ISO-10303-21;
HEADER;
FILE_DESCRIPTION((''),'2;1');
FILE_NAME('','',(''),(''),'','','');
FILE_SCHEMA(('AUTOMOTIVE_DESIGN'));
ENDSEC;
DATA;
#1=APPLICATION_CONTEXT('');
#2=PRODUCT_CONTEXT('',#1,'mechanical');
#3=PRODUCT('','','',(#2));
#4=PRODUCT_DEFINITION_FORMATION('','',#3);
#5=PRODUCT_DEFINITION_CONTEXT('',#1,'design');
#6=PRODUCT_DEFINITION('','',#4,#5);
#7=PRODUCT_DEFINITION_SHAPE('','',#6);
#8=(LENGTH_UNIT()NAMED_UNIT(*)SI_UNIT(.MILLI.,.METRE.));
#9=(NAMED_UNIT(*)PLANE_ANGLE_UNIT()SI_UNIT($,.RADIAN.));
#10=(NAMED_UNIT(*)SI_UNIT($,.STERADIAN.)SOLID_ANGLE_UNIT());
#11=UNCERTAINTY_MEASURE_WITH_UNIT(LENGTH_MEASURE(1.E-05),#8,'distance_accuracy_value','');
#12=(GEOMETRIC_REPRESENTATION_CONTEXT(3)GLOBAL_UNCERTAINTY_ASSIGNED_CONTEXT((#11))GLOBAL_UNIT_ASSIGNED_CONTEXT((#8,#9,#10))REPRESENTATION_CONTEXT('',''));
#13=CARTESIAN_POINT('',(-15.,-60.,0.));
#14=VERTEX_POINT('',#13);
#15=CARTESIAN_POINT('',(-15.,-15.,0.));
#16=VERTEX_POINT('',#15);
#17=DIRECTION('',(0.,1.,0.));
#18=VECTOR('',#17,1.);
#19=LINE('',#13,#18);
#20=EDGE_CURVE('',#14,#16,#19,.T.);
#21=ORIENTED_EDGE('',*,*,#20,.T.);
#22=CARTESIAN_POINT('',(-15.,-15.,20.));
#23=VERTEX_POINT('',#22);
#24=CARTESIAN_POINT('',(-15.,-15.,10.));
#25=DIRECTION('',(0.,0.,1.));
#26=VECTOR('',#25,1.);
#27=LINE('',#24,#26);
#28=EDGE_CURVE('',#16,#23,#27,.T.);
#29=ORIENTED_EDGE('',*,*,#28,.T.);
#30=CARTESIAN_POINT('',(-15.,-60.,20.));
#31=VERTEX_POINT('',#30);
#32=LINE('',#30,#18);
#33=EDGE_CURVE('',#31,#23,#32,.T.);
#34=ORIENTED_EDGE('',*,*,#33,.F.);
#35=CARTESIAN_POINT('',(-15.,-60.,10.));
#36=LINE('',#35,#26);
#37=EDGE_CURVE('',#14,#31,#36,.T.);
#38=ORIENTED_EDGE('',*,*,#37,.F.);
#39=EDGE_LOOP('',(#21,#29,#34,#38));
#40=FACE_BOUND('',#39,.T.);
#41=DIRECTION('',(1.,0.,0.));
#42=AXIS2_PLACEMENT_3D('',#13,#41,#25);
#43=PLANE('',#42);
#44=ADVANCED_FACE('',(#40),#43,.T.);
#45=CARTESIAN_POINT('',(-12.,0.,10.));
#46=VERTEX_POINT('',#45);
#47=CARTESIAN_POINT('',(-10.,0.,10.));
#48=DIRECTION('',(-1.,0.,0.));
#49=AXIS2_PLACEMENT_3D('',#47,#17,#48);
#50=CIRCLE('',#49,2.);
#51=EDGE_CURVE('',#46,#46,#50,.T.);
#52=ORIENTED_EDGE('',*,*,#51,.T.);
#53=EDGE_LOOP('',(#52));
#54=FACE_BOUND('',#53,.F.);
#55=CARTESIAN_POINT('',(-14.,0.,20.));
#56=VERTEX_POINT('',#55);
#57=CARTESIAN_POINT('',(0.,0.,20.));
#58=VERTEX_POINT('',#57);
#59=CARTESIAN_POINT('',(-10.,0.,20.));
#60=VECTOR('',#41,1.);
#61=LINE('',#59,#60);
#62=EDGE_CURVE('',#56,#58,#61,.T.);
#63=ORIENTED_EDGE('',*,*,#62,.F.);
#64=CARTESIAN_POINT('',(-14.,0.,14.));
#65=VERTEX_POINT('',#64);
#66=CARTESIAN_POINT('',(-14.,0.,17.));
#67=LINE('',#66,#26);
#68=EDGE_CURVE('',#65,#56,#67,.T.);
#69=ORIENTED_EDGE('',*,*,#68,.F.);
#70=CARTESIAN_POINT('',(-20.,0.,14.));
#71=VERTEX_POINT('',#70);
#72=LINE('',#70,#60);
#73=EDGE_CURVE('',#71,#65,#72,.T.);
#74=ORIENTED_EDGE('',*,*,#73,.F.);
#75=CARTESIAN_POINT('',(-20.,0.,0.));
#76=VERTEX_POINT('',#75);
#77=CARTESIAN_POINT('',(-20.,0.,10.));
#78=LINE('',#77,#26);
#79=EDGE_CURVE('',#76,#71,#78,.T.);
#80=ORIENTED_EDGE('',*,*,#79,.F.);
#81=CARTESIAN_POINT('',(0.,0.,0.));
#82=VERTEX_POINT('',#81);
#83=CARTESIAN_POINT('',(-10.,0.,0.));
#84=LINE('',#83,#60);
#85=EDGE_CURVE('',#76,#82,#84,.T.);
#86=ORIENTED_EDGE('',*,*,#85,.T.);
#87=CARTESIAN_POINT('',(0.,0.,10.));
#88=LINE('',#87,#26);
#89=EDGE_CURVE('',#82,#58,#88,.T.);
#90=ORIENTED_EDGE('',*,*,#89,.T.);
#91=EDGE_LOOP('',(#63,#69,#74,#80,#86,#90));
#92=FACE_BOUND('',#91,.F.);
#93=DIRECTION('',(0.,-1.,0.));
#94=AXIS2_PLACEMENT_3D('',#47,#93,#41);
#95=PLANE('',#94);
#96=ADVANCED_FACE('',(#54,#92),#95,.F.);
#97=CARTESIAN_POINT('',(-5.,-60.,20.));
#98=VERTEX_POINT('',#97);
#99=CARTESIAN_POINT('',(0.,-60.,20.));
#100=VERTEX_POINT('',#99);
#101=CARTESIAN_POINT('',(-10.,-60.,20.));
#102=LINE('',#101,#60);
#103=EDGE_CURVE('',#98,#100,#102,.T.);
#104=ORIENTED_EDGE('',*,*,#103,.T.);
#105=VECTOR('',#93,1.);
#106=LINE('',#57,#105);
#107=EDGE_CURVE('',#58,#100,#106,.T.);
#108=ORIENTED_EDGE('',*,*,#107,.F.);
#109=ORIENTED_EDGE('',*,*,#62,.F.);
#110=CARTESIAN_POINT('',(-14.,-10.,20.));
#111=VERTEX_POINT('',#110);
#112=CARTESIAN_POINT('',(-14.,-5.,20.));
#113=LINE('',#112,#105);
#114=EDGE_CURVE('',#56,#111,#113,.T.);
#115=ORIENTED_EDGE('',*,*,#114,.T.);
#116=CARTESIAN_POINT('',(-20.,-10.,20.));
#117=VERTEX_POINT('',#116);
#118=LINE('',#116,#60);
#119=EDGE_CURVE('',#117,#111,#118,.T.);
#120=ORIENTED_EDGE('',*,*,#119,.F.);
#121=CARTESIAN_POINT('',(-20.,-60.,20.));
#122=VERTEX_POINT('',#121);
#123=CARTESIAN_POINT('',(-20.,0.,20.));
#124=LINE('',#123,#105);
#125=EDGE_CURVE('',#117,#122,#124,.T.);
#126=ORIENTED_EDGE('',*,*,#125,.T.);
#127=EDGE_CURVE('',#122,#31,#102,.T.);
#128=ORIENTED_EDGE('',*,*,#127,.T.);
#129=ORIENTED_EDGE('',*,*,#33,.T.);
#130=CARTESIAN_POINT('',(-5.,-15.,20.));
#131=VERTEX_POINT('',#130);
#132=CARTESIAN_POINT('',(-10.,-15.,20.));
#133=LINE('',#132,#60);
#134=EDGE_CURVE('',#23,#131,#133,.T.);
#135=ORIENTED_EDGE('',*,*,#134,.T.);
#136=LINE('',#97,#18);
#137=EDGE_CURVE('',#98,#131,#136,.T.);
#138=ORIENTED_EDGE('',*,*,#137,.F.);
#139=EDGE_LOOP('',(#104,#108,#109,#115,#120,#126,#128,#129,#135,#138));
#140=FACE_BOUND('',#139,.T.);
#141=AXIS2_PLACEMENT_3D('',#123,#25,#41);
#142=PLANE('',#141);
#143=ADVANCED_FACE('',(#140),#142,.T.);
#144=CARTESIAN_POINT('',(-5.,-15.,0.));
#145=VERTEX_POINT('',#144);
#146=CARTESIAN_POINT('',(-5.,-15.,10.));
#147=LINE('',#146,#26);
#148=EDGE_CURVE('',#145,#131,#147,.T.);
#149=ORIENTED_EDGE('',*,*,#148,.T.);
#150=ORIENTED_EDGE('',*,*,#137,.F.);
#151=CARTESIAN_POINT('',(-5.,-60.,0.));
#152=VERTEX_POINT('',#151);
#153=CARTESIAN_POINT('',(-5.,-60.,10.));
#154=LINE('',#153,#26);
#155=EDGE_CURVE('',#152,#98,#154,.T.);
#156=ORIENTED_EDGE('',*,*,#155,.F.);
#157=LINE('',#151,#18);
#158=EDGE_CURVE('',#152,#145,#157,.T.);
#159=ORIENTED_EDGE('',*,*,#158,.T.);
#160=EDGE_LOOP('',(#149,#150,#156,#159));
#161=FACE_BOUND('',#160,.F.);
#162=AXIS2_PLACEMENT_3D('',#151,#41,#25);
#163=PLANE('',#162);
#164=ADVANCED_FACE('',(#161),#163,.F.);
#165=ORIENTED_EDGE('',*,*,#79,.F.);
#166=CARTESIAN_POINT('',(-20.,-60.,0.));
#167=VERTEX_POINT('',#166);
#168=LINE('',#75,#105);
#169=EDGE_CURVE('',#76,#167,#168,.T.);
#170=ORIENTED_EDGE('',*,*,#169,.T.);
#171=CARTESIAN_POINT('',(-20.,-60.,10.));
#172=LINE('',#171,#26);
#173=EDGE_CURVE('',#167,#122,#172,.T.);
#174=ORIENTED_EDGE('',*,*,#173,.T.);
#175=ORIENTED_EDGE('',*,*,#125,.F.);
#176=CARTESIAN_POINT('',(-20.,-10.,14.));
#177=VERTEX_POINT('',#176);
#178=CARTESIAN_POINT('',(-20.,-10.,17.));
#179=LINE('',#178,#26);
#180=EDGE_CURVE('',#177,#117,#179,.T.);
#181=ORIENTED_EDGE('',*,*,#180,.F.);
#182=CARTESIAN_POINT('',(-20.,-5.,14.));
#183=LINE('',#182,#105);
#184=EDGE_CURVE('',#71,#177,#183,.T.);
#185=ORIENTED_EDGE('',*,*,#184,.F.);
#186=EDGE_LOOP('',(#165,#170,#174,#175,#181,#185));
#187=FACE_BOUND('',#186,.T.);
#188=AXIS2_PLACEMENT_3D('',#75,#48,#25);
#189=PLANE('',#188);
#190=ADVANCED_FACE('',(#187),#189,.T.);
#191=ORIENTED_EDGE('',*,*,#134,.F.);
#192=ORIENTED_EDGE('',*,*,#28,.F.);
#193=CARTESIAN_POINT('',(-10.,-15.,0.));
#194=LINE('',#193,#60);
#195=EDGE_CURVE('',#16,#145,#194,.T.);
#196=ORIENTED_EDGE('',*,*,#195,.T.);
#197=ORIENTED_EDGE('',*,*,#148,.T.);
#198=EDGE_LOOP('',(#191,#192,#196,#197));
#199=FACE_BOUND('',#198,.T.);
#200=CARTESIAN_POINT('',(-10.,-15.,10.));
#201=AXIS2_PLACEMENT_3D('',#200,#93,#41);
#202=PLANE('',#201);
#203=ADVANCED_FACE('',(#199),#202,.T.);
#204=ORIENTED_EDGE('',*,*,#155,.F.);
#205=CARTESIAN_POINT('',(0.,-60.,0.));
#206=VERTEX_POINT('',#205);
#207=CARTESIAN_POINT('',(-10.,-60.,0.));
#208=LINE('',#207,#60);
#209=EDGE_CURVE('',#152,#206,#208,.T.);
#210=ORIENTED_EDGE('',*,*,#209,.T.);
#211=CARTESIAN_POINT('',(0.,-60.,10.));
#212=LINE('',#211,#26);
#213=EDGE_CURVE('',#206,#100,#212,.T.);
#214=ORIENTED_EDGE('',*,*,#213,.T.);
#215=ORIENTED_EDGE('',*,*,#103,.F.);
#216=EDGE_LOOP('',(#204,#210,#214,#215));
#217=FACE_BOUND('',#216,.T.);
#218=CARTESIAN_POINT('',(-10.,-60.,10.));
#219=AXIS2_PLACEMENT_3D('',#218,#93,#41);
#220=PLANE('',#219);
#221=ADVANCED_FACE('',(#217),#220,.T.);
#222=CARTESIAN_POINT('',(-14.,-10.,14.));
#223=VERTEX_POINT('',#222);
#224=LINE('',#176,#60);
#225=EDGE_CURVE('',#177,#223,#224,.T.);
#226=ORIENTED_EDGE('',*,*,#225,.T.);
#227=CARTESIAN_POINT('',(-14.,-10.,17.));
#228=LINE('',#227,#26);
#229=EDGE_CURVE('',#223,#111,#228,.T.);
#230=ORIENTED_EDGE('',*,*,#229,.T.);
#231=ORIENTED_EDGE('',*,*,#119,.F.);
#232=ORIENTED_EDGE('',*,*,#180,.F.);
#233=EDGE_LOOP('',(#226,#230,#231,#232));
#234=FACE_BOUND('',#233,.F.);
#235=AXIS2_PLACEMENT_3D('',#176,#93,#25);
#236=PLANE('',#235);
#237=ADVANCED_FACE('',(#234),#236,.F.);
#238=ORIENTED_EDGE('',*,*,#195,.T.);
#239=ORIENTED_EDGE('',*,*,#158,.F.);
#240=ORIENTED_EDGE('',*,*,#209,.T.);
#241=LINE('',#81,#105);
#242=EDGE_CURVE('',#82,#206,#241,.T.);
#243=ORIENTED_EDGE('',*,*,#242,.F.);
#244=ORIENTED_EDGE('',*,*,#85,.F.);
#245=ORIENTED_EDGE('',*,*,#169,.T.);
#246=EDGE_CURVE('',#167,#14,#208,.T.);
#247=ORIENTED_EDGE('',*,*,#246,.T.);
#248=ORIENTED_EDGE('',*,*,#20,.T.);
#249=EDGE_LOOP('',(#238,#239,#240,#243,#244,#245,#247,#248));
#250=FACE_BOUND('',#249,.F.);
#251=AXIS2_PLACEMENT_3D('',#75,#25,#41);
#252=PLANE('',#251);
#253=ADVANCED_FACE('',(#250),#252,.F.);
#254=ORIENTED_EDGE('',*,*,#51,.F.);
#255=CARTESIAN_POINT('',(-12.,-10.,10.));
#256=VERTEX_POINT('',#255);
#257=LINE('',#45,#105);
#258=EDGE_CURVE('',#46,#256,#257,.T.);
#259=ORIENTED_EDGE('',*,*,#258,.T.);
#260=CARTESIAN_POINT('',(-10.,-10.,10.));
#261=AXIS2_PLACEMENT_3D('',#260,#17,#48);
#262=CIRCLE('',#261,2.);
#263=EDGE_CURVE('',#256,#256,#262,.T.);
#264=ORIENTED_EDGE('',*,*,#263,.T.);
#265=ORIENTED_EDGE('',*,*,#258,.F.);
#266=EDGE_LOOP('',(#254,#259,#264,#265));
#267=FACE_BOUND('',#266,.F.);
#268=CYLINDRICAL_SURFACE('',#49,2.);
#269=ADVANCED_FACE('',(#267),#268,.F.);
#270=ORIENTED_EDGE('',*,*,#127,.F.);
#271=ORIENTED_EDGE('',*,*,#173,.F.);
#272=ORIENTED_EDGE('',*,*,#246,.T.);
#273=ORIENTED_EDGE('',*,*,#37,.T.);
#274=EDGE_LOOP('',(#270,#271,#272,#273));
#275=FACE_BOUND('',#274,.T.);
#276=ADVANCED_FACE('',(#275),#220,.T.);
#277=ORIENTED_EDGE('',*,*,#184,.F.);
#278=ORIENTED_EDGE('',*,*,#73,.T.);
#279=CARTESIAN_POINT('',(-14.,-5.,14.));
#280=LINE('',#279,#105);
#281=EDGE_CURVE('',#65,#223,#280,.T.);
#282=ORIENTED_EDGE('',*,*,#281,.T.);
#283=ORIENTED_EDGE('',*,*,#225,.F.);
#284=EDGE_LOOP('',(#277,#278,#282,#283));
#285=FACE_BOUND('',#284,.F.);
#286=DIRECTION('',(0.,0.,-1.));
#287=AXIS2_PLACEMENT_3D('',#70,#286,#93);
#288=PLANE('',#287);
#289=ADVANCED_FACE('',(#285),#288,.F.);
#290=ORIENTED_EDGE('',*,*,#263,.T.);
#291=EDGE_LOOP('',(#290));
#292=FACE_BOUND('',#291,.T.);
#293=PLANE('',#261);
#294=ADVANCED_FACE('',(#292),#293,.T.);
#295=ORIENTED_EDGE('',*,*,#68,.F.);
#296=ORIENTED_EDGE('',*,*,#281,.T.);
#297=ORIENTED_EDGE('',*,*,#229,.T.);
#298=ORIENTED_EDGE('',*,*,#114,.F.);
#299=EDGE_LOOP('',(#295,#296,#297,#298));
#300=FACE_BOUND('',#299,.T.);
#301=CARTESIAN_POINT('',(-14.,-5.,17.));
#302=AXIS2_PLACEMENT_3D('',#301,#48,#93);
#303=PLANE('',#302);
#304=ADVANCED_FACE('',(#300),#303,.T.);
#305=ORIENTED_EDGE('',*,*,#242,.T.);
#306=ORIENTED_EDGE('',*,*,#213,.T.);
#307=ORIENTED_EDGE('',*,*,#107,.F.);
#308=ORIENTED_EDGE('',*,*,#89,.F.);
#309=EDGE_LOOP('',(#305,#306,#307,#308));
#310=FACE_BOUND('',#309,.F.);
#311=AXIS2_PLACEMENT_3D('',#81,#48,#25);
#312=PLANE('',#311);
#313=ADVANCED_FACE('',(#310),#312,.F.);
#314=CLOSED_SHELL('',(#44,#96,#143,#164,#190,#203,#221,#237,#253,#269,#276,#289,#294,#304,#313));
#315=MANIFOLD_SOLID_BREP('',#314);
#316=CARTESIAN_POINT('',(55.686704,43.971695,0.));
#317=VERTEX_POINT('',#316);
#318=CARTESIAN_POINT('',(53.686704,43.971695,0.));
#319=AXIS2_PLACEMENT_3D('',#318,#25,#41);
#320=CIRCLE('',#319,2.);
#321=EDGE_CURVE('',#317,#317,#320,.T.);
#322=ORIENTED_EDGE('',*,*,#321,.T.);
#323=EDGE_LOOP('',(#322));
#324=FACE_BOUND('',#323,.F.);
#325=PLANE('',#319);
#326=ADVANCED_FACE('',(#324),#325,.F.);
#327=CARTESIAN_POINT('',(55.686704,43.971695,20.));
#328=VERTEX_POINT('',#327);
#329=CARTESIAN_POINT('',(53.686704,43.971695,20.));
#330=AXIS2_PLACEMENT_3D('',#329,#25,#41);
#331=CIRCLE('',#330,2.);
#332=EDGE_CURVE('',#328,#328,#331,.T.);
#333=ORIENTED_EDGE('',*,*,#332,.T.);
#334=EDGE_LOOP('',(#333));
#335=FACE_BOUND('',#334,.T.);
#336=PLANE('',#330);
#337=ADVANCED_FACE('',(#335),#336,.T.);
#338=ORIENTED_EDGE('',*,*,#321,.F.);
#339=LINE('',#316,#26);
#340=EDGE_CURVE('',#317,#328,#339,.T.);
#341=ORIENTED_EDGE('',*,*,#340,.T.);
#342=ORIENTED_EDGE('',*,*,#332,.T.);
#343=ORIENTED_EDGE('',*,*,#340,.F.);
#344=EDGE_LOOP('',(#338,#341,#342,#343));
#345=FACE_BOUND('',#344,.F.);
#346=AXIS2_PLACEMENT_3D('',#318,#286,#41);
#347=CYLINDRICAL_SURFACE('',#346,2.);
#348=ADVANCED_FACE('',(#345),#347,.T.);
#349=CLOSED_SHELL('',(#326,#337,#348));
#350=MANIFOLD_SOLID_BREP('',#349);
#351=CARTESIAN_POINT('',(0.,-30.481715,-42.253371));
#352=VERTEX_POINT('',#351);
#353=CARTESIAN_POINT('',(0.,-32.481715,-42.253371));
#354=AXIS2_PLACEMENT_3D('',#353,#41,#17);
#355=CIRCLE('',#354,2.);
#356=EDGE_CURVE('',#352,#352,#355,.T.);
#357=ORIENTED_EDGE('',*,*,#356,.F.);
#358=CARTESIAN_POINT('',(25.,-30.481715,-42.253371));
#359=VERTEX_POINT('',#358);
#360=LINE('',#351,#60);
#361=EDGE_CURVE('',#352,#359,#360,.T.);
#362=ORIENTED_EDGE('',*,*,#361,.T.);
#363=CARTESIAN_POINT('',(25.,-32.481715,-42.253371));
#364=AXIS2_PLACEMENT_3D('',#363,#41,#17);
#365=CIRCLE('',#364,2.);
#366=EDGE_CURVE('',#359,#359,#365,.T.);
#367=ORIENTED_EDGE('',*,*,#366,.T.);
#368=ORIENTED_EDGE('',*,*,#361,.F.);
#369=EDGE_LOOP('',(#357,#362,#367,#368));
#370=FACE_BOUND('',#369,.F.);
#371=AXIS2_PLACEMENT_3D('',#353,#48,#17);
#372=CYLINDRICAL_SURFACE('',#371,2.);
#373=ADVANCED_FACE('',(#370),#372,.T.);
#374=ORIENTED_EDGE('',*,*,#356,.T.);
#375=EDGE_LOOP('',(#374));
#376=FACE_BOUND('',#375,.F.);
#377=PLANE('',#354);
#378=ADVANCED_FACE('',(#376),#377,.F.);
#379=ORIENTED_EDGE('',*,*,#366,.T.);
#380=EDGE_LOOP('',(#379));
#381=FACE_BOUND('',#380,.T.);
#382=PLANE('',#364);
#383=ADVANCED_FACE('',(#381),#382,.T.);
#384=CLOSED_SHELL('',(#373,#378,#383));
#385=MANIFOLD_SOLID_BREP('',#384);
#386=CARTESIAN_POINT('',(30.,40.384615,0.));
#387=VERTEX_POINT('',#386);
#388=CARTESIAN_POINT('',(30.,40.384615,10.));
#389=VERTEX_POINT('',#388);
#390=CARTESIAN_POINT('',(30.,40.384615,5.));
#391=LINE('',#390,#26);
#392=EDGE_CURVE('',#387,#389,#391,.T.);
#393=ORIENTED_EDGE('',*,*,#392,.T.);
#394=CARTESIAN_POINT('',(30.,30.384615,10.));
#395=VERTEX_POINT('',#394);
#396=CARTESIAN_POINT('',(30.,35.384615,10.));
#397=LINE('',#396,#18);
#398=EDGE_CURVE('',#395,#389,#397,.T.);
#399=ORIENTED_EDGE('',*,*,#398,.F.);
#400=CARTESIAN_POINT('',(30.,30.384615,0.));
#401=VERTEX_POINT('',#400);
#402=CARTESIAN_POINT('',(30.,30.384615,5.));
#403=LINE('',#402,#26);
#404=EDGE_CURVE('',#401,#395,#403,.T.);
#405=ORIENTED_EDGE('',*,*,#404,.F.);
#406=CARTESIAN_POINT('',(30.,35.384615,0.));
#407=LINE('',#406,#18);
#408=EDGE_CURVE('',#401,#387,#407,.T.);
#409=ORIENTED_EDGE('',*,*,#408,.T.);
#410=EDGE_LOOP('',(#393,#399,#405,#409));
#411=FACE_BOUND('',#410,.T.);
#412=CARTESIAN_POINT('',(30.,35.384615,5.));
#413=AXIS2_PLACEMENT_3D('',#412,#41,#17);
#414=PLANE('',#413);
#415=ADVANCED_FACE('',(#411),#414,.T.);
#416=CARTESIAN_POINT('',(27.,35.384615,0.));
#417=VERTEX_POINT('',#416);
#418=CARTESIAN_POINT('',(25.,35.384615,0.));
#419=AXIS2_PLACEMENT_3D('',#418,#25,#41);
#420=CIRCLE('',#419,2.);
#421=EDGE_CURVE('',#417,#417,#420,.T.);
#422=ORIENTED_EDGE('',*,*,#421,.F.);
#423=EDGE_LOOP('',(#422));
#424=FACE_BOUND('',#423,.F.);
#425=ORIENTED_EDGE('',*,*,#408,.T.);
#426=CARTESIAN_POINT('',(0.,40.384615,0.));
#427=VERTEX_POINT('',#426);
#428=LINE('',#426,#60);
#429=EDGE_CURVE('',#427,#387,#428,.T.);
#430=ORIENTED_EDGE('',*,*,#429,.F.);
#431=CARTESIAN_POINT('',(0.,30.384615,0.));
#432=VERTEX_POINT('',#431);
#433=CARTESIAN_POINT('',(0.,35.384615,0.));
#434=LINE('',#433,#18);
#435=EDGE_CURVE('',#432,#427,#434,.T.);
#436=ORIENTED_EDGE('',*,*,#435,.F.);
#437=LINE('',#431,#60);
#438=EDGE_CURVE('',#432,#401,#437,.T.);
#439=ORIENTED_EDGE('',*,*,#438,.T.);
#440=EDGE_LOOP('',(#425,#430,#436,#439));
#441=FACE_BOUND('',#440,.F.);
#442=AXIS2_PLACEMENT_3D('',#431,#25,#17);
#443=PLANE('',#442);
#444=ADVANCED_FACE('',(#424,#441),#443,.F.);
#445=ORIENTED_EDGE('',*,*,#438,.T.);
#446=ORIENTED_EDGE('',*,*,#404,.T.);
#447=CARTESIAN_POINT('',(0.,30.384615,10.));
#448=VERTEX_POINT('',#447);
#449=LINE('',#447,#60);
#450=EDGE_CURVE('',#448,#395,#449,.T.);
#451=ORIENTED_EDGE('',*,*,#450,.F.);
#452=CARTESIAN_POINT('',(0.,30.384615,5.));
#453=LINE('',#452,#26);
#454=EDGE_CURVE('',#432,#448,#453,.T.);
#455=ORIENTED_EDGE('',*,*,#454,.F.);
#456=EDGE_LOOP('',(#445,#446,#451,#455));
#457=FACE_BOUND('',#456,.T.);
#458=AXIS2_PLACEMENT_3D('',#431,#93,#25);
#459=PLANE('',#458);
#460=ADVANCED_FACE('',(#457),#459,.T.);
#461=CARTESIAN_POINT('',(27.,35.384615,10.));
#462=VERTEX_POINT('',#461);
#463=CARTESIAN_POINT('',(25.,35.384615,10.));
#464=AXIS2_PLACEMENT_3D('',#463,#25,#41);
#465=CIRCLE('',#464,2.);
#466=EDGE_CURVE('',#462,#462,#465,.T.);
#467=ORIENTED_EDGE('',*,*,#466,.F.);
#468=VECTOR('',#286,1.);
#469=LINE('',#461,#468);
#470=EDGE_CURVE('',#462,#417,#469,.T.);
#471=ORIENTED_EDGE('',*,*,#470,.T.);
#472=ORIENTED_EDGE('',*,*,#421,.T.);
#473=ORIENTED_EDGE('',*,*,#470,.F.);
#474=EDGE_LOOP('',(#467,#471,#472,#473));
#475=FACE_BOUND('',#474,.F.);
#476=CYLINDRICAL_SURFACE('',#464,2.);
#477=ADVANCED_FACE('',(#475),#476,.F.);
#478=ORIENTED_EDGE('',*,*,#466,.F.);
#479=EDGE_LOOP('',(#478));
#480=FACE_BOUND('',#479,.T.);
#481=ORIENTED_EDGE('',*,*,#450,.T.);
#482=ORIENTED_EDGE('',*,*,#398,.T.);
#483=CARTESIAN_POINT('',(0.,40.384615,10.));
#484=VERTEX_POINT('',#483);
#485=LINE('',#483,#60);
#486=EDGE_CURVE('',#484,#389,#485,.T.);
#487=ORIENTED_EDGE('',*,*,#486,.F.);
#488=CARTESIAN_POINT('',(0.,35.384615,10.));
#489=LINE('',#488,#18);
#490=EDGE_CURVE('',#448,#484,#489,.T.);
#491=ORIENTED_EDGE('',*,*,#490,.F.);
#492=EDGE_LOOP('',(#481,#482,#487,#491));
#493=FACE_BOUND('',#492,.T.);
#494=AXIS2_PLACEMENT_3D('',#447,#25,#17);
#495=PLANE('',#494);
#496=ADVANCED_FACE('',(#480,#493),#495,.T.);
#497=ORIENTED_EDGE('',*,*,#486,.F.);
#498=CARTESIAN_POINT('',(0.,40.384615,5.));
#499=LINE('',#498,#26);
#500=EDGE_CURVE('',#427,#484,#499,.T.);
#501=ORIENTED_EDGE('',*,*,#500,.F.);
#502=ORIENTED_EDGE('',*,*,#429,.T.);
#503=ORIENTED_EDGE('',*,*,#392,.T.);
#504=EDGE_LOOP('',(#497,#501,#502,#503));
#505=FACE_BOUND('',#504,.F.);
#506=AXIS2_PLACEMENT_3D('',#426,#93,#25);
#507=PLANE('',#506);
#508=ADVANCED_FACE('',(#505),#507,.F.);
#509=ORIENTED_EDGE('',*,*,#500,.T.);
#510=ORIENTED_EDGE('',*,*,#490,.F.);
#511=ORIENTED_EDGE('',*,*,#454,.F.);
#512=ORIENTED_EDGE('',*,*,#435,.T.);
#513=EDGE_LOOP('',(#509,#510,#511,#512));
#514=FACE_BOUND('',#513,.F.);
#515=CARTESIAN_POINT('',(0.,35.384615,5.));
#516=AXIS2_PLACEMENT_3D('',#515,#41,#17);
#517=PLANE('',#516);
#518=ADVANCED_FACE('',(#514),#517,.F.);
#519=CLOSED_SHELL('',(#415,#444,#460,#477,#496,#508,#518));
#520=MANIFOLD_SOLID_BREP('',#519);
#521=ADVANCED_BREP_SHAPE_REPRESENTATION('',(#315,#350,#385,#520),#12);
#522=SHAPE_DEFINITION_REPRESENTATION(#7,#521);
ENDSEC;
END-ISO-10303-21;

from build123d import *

# Parameters (mm, degrees)
F0_W      = 20
F0_H      = 20
F1_DEPTH  = 60
F2_W      = 10
F2_H      = 20
F3_DEPTH  = 45
F4_W      = 10
F4_H      = 10
F5_DEPTH  = 30
F6_R      = 2
F7_DEPTH  = 10.001
F8_R      = 2
F9_DEPTH  = 25
F10_R     = 2
F11_DEPTH = 10
F12_W     = 10
F12_H     = 6
F13_DEPTH = 6
F14_R     = 2
F15_DEPTH = 20


with BuildPart() as f1:
    # F0 (on Front) → F1 (new body)
    with BuildSketch(Plane.XZ):
        with Locations((-10, 10)):
            Rectangle(F0_W, F0_H)
    extrude(amount=F1_DEPTH)

    # F2 (on face) → F3 (cut)
    with BuildSketch(Plane.XZ.offset(60)):
        with Locations((-10, 10)):
            Rectangle(F2_W, F2_H)
    extrude(amount=-F3_DEPTH, mode=Mode.SUBTRACT)

    # F10 (on face) → F11 (cut)
    with BuildSketch(Plane(origin=(0, 0, 0), x_dir=(-1, 0, 0), z_dir=(0, 1, 0))):
        with Locations((10, 10)):
            Circle(F10_R)
    extrude(amount=-F11_DEPTH, mode=Mode.SUBTRACT)

    # F12 (on face) → F13 (cut)
    with BuildSketch(Plane(origin=(-20, 0, 0), x_dir=(0, -1, 0), z_dir=(-1, 0, 0))):
        with Locations((5, 17)):
            Rectangle(F12_W, F12_H)
    extrude(amount=-F13_DEPTH, mode=Mode.SUBTRACT)


with BuildPart() as f5:
    # F4 (on Right) → F5 (new body)
    with BuildSketch(Plane.YZ):
        with Locations((35.384615, 5)):
            Rectangle(F4_W, F4_H)
    extrude(amount=F5_DEPTH)

    # F6 (on face) → F7 (cut, through all)
    with BuildSketch(Plane.XY.offset(10)):
        with Locations((25, 35.384615)):
            Circle(F6_R)
    extrude(amount=-F7_DEPTH, mode=Mode.SUBTRACT)


with BuildPart() as f9:
    # F8 (on Right) → F9 (new body)
    with BuildSketch(Plane.YZ):
        with Locations((-32.481715, -42.253371)):
            Circle(F8_R)
    extrude(amount=F9_DEPTH)


with BuildPart() as f15:
    # F14 (on Top) → F15 (new body)
    with BuildSketch(Plane.XY):
        with Locations((53.686704, 43.971695)):
            Circle(F14_R)
    extrude(amount=F15_DEPTH)


solid = Compound([f1.part, f5.part, f9.part, f15.part])
